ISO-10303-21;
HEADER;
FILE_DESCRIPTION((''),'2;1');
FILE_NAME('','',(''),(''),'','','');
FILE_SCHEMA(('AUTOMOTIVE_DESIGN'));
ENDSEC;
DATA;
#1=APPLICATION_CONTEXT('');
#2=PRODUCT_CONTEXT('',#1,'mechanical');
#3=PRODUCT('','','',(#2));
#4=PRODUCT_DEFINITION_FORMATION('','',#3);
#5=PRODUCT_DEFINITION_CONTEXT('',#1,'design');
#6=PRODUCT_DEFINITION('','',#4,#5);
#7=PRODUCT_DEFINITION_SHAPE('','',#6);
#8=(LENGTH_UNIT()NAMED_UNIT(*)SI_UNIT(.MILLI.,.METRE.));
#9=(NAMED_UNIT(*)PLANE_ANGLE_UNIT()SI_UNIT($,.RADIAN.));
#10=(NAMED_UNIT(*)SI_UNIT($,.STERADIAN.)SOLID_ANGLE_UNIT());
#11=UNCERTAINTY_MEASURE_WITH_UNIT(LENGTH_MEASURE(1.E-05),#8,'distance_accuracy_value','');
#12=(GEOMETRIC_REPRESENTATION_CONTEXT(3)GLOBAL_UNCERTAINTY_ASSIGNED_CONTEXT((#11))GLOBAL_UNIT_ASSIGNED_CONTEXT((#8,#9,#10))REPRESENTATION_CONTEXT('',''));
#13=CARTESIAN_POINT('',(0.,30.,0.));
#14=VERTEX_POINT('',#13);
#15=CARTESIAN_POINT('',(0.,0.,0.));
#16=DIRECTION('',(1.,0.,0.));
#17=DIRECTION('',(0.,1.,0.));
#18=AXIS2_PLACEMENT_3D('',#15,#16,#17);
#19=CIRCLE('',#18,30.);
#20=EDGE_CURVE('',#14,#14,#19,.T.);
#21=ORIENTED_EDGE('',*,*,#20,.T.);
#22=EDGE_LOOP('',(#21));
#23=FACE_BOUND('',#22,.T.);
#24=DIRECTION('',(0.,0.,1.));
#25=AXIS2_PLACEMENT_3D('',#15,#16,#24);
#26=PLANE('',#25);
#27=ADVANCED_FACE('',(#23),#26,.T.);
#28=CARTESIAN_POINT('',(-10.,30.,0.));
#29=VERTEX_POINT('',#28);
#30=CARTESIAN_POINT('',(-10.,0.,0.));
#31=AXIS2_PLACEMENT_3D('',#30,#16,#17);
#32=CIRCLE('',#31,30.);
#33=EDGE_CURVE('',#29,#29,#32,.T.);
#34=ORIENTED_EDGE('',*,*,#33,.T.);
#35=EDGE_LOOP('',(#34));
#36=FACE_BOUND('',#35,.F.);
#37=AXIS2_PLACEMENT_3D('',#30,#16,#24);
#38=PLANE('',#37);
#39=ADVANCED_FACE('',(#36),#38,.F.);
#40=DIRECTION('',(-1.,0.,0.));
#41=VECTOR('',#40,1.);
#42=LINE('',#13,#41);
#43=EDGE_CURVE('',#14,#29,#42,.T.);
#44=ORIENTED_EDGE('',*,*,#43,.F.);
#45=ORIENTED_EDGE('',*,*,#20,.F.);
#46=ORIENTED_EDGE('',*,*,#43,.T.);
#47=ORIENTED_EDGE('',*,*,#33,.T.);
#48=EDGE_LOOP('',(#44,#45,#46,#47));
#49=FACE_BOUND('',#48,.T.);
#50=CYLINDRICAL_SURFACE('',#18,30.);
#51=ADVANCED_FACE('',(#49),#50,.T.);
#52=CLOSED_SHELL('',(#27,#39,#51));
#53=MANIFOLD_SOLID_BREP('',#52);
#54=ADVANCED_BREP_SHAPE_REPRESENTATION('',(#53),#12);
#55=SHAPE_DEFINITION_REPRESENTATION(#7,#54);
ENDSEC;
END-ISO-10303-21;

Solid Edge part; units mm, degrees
sketch "Sketch1" plane through (0, 0, 0) normal (1, 0, 0) x (0, 1, 0)
  circle A0 centre (0, 0) radius 30
extrude "Protrusion1" add sketch "Sketch1" against normal blind 10
